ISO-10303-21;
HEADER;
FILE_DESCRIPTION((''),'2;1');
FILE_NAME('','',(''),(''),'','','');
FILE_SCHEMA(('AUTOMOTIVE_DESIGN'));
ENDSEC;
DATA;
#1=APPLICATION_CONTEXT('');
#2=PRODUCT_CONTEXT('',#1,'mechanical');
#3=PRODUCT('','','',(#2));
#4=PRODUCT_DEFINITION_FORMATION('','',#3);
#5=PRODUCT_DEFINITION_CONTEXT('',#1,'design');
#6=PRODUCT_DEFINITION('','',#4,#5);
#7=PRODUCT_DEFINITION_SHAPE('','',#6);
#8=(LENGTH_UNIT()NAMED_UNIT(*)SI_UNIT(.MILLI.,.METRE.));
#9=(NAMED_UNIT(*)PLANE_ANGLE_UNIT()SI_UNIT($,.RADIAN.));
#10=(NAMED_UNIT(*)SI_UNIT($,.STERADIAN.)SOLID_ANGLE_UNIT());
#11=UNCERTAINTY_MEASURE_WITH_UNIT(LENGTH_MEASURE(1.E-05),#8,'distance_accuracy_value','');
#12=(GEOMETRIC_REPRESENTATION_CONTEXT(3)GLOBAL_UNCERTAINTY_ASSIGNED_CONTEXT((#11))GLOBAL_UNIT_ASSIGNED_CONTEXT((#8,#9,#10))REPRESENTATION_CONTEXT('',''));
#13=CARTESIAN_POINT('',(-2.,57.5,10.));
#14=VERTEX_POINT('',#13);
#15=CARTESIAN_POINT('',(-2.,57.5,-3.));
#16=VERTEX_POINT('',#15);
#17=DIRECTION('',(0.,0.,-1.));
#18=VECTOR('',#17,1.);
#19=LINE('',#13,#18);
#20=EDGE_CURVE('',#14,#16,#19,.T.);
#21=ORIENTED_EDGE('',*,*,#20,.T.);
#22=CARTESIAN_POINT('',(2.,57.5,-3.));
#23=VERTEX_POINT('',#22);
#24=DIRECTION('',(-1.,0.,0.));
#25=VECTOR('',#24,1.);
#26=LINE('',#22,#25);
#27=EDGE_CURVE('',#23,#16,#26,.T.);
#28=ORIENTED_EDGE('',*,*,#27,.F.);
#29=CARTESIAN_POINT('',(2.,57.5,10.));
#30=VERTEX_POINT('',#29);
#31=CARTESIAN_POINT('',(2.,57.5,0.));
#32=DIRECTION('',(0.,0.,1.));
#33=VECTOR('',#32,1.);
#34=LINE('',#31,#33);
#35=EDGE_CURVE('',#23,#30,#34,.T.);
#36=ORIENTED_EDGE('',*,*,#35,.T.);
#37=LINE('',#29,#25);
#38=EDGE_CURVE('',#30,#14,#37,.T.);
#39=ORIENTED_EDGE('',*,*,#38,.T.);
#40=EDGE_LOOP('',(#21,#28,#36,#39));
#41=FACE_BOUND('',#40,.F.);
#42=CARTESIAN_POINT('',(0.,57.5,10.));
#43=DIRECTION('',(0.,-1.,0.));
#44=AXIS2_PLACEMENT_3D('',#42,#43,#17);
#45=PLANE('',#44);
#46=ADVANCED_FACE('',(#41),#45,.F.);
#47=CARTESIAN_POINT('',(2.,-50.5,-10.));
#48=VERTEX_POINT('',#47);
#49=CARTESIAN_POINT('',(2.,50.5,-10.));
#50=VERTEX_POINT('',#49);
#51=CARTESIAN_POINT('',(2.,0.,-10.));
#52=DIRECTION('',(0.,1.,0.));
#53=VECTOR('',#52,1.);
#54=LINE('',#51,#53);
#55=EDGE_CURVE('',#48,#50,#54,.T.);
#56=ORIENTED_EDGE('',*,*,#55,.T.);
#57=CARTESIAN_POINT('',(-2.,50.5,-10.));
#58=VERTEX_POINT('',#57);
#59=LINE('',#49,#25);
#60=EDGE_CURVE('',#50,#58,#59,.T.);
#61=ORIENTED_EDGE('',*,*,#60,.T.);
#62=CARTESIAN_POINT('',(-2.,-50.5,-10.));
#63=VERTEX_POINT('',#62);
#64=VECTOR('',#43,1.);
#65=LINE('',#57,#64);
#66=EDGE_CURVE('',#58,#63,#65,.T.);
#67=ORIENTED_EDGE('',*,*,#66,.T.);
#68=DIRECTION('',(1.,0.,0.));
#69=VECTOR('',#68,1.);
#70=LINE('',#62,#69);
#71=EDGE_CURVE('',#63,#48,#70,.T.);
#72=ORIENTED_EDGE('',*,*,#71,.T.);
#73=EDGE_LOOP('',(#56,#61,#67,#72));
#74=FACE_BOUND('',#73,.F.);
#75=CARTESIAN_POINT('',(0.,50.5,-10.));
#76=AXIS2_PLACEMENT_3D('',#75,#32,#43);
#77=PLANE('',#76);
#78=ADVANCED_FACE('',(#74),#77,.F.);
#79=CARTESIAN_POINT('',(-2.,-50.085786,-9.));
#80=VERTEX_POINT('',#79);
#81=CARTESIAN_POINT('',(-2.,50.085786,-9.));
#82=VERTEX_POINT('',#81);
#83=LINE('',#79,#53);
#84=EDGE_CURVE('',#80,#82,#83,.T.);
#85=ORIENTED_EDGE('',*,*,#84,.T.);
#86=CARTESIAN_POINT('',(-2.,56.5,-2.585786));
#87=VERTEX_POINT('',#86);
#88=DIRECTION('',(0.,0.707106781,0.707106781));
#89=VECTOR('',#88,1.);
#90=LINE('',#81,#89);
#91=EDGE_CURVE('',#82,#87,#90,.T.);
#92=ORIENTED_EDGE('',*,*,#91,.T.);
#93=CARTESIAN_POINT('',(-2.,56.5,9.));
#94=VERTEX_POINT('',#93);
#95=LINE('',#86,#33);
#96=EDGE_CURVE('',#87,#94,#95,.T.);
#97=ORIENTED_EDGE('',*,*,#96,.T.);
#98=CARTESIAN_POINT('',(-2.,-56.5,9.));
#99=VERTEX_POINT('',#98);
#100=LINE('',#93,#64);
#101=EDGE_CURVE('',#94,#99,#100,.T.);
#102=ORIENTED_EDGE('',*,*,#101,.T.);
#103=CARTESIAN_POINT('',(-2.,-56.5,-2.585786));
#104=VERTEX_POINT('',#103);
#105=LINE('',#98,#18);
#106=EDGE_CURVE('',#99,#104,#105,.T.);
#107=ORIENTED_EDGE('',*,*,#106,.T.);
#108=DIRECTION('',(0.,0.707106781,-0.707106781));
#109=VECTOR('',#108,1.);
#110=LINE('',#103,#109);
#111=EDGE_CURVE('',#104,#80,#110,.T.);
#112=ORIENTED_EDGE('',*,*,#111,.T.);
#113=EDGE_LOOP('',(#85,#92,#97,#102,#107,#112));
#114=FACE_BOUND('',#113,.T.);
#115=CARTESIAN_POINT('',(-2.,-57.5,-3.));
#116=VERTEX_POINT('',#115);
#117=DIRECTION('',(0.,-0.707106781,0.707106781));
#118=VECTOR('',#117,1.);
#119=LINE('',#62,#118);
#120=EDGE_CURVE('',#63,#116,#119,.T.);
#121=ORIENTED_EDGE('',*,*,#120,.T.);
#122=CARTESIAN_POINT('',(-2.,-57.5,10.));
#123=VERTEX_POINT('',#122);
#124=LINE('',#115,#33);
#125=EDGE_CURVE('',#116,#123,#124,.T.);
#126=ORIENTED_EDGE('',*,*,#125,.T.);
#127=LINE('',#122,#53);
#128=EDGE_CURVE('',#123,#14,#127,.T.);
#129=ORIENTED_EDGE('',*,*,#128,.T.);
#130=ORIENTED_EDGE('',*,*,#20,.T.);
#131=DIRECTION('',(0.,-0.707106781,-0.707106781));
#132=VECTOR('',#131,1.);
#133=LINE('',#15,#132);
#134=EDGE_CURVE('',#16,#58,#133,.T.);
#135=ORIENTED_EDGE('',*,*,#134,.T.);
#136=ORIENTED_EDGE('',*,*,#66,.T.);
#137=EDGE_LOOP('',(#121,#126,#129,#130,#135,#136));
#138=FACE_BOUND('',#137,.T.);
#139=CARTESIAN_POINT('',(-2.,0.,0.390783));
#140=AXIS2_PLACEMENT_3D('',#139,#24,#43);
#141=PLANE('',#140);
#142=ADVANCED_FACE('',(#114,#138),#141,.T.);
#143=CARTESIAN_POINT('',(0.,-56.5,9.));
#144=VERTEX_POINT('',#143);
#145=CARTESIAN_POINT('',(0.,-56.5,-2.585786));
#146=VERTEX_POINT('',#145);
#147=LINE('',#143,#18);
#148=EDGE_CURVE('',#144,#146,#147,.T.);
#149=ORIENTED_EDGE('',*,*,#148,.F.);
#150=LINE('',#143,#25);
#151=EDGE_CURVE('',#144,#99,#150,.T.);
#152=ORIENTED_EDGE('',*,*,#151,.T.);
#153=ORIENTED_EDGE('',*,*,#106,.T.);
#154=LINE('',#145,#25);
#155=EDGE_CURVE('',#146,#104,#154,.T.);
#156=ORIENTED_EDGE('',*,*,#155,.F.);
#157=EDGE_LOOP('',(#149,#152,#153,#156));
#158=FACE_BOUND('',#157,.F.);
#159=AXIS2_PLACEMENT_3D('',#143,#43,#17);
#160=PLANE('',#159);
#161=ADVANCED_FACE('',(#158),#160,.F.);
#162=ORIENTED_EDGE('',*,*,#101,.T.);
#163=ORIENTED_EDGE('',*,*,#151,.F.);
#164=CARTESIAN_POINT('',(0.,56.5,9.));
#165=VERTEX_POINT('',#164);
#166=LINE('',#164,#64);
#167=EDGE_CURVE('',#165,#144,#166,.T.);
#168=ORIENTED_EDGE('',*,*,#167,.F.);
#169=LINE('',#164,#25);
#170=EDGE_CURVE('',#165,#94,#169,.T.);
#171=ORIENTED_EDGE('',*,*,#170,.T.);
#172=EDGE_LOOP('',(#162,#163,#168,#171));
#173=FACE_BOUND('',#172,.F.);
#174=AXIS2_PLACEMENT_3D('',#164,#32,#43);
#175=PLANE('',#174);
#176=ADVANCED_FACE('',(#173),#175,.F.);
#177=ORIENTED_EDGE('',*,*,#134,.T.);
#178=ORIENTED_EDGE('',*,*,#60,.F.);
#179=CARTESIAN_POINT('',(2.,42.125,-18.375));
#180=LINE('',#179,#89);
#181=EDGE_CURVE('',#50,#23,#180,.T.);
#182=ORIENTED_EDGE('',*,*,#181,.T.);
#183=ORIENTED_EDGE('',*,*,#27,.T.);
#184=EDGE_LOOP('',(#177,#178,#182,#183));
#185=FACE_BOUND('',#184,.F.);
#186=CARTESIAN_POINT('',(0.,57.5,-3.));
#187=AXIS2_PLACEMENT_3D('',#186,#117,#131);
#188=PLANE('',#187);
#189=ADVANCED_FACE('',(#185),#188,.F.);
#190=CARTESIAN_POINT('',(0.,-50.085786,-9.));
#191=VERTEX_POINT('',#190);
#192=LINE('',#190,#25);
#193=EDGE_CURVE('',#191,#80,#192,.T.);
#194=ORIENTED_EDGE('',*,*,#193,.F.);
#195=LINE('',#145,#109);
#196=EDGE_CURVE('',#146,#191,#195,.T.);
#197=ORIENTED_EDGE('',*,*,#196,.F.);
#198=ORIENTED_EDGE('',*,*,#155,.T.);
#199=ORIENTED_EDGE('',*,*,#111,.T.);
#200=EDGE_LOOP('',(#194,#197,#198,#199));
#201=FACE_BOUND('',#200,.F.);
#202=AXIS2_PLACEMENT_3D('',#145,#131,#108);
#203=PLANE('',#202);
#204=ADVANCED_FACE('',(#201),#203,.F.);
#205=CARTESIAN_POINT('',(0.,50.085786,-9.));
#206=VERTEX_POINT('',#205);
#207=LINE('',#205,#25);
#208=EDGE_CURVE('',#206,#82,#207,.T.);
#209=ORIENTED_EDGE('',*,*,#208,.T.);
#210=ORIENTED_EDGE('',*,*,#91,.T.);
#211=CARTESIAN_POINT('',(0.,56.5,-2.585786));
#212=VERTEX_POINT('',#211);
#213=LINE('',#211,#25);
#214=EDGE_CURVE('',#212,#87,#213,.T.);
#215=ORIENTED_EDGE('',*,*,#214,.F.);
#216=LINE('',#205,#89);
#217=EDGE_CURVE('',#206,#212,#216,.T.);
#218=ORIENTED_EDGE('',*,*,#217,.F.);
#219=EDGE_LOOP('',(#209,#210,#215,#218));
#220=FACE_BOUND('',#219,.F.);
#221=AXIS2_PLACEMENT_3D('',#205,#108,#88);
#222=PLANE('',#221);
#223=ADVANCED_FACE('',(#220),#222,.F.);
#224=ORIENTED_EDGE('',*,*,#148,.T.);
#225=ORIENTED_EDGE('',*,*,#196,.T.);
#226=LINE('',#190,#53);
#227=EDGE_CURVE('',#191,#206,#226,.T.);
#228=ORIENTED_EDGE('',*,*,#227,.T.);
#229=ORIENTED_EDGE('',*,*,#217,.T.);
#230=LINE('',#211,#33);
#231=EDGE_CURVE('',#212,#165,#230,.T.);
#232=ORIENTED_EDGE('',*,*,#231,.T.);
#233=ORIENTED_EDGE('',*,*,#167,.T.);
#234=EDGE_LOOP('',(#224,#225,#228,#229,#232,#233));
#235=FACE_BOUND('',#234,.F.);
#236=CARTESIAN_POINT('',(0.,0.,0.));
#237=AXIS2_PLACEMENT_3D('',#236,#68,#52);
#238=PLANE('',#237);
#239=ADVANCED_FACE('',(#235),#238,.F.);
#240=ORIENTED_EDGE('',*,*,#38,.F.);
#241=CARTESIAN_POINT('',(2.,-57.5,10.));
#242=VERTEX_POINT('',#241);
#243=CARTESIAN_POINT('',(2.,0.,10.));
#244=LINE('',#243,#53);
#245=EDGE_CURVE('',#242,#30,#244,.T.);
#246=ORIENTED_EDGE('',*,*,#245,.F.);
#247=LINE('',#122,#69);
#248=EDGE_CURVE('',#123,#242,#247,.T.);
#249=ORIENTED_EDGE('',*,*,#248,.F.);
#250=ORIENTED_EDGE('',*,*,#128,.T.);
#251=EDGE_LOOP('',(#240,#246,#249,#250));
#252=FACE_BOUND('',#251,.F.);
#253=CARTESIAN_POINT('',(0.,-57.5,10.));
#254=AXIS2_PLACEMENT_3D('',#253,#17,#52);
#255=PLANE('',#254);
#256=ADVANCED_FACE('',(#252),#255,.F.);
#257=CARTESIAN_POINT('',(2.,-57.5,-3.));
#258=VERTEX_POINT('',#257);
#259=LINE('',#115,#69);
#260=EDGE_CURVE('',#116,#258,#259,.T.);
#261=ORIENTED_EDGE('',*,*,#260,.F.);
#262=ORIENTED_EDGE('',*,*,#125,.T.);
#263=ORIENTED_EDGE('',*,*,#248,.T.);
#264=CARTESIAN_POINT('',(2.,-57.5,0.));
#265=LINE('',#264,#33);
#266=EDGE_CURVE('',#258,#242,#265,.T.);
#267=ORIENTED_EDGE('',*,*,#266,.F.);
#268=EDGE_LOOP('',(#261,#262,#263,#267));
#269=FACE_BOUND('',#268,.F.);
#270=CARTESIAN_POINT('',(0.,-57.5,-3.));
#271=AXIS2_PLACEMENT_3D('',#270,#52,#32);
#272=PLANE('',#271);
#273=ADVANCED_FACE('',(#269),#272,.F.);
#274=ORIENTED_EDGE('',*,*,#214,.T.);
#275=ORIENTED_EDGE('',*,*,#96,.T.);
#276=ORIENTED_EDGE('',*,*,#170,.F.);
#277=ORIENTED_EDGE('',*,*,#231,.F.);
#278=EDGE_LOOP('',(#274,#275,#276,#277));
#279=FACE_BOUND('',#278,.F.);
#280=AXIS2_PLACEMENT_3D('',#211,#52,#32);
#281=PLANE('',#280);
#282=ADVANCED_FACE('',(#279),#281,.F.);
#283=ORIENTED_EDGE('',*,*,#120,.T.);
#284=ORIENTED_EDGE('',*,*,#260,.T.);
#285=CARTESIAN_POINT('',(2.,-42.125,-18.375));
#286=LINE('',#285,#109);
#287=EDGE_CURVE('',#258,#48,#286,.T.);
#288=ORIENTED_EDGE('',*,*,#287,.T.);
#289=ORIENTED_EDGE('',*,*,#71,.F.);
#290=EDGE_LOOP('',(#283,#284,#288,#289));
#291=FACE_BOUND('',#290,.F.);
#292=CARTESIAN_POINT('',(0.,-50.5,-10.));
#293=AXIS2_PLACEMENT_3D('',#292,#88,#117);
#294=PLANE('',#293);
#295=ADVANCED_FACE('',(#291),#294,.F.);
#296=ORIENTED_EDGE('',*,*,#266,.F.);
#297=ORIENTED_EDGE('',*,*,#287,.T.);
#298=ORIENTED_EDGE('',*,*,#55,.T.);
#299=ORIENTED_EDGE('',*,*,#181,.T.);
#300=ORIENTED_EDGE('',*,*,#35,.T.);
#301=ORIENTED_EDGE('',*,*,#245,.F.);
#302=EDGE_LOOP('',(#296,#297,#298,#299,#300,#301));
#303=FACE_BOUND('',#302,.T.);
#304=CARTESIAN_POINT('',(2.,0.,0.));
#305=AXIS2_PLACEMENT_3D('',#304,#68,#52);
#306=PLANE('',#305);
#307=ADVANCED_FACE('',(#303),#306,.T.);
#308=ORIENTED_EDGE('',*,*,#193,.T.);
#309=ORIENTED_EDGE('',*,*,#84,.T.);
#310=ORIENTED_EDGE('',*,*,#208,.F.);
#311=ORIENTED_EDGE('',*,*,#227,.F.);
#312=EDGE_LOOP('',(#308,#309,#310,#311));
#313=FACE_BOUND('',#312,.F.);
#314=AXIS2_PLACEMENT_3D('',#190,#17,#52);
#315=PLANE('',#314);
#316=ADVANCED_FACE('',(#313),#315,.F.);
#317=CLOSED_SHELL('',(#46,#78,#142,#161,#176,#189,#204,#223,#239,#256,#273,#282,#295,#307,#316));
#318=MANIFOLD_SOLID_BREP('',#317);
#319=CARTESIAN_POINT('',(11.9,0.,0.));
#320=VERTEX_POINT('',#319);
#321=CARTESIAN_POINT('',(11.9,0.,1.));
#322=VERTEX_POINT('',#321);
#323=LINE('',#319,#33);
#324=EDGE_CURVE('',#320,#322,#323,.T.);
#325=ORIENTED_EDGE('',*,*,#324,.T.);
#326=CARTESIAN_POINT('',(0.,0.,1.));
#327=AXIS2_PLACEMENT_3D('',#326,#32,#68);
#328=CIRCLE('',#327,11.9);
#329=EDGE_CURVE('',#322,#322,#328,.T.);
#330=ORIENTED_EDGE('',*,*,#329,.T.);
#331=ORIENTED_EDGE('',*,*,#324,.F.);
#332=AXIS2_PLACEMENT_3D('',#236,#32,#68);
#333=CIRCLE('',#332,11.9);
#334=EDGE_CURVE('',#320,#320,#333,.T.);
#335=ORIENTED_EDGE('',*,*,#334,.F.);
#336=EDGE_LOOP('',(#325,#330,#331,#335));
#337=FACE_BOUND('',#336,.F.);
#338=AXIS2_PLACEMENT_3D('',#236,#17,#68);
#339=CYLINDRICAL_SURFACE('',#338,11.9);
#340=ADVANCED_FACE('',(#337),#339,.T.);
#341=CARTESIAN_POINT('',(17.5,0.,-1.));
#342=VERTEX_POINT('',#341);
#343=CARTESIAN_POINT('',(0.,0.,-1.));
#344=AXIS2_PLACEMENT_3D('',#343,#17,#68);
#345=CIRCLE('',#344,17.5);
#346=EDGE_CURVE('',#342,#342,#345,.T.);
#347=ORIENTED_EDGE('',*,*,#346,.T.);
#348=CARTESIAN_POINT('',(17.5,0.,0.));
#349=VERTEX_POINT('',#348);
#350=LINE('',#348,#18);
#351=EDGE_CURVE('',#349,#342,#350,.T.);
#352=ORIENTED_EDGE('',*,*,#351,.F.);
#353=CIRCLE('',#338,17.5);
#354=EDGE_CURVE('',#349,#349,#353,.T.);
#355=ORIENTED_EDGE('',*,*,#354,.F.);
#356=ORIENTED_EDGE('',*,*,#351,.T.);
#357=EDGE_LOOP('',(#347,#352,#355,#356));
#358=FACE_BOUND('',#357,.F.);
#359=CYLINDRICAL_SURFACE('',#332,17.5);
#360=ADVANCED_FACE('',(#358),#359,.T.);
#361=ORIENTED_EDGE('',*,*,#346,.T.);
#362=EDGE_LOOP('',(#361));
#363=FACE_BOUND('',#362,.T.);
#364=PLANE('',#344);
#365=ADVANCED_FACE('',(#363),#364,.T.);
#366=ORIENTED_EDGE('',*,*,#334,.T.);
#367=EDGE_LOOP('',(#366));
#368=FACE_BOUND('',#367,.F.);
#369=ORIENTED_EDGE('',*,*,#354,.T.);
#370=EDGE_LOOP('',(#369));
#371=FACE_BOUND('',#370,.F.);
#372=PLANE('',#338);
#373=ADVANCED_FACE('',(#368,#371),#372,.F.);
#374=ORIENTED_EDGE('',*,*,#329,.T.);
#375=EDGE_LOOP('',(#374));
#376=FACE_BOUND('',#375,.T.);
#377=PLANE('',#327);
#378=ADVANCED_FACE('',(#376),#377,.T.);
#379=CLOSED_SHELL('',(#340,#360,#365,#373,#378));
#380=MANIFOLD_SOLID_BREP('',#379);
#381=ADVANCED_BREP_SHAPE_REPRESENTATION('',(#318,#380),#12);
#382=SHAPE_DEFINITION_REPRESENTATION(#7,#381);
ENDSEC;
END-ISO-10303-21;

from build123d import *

# Parameters (mm, degrees)
F0_R     = 11.9
F1_DEPTH = 1
F2_R     = 17.5
F3_DEPTH = 1
F4_W     = 115
F4_H     = 20
F5_DEPTH = 2
F6_SIZE  = 7
F8_DEPTH = 2


with BuildPart() as f1:
    # F0 (on Top) → F1 (new body)
    with BuildSketch(Plane.XY):
        Circle(F0_R)
    extrude(amount=F1_DEPTH)

    # F2 (on face) → F3 (join)
    with BuildSketch(Plane(origin=(0, 0, 0), x_dir=(1, 0, 0), z_dir=(0, 0, -1))):
        Circle(F2_R)
    extrude(amount=F3_DEPTH)


with BuildPart() as f5:
    # F4 (on Right) → F5 (new body)
    with BuildSketch(Plane.YZ):
        Rectangle(F4_W, F4_H)
    extrude(amount=F5_DEPTH)

    # F6
    f6_edges = [f5.edges().sort_by_distance(p)[0] for p in [
        (1, -57.5, -10),
        (1, 57.5, -10),
    ]]
    chamfer(f6_edges, length=F6_SIZE)

    # F7 (on face) → F8 (join)
    with BuildSketch(Plane(origin=(0, 0, 0), x_dir=(0, -1, 0), z_dir=(-1, 0, 0))):
        Polygon((57.5, 10), (-57.5, 10), (-57.5, -3), (-50.5, -10), (50.5, -10), (57.5, -3), align=None)
        Polygon((-56.5, -2.585786), (-56.5, 9), (56.5, 9), (56.5, -2.585786), (50.085786, -9), (-50.085786, -9), align=None, mode=Mode.SUBTRACT)
    extrude(amount=F8_DEPTH)


solid = Compound([f1.part, f5.part])
